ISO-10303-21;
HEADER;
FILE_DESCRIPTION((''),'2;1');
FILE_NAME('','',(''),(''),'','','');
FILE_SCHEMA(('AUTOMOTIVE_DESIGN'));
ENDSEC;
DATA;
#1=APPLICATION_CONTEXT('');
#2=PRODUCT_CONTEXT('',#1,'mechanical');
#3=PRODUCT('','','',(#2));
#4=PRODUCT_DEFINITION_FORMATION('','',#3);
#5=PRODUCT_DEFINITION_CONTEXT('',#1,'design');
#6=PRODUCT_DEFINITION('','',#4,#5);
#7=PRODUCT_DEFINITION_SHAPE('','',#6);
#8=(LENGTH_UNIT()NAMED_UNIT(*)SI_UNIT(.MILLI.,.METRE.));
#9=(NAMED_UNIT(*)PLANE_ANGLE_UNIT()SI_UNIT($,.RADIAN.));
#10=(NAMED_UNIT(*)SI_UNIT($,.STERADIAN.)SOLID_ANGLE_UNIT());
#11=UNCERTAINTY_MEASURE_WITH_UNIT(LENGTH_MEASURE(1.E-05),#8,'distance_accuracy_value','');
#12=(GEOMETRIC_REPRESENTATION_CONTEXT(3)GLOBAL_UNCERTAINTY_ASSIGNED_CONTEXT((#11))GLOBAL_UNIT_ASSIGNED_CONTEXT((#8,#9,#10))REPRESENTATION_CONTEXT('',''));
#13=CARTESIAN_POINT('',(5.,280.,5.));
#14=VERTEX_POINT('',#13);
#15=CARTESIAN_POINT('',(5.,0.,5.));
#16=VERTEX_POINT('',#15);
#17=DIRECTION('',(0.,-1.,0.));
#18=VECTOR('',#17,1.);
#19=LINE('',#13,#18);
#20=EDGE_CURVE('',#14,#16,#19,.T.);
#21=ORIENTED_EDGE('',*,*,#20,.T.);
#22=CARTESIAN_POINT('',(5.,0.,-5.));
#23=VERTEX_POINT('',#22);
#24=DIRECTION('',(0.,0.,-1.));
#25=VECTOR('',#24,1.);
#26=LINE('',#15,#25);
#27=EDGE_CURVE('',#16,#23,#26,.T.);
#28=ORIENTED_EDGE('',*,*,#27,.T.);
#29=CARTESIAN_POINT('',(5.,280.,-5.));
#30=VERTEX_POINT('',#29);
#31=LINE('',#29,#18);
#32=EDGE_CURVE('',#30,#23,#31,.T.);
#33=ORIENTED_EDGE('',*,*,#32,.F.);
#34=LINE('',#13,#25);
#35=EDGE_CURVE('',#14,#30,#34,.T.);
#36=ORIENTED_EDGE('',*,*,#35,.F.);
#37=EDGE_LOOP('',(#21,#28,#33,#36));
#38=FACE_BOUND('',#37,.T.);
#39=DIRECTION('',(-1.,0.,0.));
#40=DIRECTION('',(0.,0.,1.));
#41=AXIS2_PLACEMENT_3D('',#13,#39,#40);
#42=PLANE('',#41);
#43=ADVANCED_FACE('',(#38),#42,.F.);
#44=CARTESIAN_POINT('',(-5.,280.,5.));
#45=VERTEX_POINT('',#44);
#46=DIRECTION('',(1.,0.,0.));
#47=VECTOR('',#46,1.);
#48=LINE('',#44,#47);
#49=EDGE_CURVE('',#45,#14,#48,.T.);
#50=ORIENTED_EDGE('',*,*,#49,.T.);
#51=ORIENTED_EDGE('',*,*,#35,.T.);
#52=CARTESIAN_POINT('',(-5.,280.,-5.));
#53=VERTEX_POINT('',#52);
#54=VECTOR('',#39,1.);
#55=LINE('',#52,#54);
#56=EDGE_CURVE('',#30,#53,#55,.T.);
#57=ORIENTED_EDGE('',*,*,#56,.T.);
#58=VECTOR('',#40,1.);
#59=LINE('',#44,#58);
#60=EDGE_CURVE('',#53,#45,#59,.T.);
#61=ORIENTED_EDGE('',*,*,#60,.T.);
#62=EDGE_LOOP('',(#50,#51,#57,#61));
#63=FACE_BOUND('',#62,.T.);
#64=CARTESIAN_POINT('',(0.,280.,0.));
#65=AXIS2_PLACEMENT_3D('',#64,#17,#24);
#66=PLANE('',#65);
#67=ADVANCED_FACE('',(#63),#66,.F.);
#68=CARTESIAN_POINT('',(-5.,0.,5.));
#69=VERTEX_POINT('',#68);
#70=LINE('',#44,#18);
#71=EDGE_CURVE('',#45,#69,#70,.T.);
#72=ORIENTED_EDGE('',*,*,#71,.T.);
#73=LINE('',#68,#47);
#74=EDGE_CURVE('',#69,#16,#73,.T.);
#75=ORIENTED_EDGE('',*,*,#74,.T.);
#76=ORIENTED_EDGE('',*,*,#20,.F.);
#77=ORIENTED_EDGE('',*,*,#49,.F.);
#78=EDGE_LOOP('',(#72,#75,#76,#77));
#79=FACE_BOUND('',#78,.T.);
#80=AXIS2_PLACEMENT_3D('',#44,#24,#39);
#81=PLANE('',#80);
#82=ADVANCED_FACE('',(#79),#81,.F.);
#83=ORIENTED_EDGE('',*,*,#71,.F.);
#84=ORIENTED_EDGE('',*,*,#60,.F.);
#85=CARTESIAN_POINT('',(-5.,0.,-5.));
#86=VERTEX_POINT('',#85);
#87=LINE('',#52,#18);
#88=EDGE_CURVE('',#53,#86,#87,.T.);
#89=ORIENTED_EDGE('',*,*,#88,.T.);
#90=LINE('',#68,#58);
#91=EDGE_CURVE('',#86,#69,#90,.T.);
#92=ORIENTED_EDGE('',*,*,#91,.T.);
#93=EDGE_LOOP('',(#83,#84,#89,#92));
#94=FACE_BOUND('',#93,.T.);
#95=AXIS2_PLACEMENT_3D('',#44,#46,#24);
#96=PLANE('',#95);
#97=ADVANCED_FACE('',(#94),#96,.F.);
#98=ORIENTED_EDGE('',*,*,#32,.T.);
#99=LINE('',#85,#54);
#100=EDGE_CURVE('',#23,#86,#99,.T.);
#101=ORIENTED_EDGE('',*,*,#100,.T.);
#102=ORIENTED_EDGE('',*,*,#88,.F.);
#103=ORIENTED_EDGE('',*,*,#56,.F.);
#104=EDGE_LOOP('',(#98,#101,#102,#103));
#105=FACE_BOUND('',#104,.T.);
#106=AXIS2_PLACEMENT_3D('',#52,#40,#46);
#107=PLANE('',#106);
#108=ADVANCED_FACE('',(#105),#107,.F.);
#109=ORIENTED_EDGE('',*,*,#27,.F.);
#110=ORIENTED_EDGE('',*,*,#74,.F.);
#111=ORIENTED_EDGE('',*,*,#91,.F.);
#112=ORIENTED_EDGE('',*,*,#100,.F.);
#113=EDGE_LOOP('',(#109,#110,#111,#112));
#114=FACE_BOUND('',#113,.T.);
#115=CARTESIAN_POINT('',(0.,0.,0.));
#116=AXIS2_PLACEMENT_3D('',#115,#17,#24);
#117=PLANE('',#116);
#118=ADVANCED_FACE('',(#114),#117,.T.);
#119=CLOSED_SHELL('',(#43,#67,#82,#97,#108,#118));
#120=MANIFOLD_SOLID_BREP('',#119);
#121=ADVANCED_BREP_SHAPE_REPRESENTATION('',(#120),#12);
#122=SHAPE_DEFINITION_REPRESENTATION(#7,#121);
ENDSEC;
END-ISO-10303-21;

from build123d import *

# Parameters (mm, degrees)
SKETCH_1_W      = 10
SKETCH_1_H      = 10
EXTRUDE_1_DEPTH = 280


with BuildPart() as part:
    # 草图1 → 凸台-拉伸1 (new body)
    with BuildSketch(Plane(origin=(0, 0, 0), x_dir=(1, 0, 0), z_dir=(0, 1, 0))):
        Rectangle(SKETCH_1_W, SKETCH_1_H)
    extrude(amount=EXTRUDE_1_DEPTH)


solid = part.part
